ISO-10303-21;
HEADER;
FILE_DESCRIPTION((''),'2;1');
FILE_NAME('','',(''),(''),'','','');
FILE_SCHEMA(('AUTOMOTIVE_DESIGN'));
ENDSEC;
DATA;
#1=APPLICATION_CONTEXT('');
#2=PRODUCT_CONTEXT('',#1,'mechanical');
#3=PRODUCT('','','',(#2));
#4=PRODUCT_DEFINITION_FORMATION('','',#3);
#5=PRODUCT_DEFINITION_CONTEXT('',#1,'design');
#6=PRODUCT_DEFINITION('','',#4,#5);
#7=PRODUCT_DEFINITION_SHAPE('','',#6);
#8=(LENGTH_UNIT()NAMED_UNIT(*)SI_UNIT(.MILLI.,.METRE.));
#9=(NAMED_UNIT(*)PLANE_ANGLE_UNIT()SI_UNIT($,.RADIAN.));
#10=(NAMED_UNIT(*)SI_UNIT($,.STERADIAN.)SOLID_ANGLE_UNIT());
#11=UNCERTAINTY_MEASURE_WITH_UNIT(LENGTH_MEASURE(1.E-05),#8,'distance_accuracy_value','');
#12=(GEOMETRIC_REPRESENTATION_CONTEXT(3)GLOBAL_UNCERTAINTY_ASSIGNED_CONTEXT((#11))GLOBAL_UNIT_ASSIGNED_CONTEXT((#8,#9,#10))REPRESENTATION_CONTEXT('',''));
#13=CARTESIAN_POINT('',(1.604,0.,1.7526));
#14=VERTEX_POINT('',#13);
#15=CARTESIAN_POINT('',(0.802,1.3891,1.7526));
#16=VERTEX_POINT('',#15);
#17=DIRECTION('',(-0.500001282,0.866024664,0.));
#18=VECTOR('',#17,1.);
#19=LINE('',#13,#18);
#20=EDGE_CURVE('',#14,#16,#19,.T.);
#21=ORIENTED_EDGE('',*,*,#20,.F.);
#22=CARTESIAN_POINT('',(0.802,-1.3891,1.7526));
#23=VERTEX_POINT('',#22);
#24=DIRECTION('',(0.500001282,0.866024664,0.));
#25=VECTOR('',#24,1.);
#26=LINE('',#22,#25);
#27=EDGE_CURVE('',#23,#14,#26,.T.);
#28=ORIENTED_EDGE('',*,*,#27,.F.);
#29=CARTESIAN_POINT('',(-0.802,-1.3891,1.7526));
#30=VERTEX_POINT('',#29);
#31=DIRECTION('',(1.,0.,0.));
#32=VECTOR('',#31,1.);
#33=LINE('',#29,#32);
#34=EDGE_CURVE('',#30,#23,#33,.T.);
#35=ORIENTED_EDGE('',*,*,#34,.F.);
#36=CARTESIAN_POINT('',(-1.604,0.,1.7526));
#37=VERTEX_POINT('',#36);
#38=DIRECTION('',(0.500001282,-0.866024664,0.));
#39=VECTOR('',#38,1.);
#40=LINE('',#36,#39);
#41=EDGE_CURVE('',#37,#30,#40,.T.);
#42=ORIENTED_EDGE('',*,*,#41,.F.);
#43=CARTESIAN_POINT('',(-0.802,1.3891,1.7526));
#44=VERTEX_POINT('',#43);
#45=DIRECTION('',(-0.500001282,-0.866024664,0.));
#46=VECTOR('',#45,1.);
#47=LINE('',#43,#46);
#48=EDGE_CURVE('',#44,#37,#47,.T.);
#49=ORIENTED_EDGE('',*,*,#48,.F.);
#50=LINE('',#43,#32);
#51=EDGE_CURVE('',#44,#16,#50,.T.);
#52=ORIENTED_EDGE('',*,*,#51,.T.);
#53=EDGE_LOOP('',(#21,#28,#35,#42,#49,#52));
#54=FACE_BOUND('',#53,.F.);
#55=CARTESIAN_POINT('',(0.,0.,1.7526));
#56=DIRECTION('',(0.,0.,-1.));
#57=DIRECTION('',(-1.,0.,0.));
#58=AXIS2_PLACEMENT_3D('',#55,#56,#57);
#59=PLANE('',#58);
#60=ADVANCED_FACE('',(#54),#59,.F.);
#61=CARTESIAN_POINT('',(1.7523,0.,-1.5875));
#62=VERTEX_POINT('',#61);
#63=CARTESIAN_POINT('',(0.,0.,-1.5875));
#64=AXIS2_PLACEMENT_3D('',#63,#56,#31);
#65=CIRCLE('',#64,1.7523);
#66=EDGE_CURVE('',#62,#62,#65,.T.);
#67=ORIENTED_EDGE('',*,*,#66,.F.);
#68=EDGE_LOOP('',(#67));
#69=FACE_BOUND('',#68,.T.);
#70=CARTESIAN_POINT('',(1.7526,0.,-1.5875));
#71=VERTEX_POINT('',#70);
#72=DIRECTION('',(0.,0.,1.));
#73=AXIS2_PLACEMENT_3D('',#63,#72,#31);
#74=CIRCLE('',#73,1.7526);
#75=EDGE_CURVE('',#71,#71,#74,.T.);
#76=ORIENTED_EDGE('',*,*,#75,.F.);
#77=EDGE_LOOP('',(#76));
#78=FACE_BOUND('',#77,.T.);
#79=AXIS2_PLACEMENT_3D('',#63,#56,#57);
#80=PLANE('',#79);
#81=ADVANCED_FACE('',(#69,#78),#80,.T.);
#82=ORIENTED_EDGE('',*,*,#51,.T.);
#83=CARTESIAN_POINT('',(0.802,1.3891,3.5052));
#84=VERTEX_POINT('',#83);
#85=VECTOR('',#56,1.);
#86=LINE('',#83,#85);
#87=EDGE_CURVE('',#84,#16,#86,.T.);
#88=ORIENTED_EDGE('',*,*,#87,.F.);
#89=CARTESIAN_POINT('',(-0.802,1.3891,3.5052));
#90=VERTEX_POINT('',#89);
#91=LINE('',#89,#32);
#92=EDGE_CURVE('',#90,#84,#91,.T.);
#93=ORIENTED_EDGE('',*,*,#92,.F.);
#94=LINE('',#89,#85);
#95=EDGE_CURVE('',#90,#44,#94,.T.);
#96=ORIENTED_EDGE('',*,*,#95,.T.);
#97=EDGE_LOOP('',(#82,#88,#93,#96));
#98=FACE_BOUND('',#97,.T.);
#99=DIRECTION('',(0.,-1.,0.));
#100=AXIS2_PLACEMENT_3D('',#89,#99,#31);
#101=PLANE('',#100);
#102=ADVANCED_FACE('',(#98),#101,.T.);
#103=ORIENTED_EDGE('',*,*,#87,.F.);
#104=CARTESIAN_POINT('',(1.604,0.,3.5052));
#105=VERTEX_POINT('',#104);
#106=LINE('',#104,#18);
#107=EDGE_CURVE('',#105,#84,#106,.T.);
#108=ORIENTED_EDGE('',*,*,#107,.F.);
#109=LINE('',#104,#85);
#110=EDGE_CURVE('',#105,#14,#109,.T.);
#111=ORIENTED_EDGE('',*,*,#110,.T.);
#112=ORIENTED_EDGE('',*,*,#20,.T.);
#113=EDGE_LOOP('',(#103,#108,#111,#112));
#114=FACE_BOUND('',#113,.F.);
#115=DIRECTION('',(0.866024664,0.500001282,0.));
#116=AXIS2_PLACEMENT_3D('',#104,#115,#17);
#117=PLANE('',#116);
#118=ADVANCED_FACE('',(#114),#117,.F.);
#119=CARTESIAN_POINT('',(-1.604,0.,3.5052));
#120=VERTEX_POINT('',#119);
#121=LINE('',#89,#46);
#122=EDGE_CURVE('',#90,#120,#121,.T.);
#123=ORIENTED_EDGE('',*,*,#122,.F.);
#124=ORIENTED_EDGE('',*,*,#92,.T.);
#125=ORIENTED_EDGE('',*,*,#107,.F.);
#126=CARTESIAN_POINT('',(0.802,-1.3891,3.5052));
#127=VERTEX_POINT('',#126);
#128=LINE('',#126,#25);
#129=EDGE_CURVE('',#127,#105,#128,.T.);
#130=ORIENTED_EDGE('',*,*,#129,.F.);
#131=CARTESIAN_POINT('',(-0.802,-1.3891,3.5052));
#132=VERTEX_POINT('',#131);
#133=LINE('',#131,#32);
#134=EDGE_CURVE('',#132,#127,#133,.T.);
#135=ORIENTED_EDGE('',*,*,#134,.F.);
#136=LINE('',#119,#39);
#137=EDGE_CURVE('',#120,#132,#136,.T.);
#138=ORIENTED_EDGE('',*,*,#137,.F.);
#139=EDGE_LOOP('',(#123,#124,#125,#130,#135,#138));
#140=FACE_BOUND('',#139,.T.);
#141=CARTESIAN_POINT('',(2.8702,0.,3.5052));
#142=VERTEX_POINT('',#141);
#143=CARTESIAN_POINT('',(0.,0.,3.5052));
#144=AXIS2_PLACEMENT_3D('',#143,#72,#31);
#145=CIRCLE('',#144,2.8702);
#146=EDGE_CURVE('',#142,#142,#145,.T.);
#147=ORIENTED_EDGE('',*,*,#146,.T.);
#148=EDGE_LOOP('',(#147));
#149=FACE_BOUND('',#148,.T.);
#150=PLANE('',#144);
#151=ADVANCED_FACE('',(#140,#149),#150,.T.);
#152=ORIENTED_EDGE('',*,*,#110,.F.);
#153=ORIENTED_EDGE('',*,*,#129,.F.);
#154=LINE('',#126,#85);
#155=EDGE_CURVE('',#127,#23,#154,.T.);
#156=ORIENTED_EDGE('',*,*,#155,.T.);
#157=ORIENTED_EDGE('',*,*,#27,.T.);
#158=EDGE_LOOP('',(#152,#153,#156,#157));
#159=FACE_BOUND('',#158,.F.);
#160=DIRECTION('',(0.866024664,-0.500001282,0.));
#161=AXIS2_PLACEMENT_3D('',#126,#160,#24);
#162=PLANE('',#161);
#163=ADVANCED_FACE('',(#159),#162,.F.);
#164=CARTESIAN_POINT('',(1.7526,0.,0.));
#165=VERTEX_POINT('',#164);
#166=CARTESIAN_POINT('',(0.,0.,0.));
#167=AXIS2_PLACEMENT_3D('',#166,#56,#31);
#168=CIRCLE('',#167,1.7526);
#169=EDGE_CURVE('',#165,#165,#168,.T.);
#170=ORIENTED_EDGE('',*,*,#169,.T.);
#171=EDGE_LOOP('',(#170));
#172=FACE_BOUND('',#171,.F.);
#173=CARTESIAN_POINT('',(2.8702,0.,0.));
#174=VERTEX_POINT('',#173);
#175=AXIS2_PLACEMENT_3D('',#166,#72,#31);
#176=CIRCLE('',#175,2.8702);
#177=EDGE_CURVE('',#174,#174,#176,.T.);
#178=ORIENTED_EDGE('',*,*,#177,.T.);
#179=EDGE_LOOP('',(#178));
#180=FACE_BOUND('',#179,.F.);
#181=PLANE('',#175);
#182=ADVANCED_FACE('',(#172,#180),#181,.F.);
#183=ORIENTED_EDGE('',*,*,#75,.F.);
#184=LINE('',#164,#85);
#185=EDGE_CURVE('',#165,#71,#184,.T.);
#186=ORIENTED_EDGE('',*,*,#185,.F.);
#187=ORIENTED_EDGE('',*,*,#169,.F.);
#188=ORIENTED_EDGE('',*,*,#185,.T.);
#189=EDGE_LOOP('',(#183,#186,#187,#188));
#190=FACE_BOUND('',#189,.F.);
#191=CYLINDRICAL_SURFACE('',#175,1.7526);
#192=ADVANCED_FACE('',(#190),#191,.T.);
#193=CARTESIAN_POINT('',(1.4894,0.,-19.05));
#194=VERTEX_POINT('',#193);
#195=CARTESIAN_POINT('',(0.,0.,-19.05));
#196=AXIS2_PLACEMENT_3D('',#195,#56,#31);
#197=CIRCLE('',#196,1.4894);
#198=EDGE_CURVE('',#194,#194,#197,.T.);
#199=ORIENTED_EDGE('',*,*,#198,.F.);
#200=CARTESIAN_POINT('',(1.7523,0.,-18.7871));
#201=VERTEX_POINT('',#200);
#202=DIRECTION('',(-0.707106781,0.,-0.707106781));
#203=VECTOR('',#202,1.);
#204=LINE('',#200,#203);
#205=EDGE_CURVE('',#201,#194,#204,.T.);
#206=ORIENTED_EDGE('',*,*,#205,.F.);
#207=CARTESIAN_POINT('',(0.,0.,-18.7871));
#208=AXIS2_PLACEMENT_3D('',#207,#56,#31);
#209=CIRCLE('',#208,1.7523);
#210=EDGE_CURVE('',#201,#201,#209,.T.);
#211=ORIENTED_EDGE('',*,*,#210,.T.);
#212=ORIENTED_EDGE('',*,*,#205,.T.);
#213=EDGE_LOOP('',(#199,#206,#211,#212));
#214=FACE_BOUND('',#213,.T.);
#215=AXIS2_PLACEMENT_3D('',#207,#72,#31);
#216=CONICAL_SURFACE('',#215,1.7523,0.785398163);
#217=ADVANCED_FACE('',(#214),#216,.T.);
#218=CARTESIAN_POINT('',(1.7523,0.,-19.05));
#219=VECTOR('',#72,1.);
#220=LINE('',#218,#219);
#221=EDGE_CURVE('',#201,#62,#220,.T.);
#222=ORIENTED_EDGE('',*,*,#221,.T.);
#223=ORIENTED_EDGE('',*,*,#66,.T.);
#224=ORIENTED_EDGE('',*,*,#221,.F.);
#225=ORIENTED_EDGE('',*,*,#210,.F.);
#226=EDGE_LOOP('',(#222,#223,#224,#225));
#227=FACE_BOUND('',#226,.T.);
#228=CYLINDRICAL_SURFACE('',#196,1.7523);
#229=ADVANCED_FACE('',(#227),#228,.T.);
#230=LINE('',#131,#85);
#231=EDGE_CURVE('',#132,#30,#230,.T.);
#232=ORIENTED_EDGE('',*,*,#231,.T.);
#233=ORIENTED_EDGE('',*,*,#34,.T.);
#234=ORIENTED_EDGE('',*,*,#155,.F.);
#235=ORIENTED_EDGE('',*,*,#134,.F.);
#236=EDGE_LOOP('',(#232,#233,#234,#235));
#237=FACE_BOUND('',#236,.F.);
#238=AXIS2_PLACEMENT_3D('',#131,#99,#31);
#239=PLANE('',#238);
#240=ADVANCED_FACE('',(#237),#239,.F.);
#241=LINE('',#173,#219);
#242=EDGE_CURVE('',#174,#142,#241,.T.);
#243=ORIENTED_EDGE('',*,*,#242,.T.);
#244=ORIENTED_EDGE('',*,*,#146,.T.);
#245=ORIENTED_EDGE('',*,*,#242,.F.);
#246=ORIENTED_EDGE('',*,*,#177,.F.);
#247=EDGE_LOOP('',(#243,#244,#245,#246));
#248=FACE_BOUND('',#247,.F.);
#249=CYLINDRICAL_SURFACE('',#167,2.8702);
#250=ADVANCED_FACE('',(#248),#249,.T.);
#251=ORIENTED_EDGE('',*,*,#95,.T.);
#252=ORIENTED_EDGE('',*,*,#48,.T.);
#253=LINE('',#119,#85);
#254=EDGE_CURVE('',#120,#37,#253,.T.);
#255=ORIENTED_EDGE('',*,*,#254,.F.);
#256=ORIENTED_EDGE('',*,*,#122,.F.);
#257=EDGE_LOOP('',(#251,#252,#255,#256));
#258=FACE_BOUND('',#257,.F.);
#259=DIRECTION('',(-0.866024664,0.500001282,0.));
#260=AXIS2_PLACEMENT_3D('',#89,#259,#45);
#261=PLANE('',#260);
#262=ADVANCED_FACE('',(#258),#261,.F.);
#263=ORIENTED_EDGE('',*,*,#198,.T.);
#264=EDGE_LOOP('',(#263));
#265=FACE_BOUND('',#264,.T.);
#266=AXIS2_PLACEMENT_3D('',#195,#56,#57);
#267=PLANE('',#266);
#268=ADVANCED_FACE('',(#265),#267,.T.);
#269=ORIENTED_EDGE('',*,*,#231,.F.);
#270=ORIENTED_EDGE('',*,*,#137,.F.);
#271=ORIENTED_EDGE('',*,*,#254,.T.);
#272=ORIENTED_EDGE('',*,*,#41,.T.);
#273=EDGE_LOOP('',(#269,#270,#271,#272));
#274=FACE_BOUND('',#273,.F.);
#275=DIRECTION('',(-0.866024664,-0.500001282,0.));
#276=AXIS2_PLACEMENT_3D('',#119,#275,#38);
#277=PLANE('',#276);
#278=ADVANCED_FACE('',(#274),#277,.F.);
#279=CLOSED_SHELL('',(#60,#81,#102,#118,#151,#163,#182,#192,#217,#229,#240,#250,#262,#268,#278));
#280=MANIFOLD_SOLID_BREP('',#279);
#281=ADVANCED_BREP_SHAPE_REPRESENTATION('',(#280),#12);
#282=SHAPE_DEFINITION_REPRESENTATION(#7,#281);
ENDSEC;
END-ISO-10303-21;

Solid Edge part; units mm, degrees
sketch "Sketch1" plane through (0, 0, 0) normal (0, 0, 1) x (1, 0, 0)
  circle A0 centre (0, 0) radius 2.8702
  dimension "D1" = 5.7404
extrude "Protrusion1" add sketch "Sketch1" along normal blind 3.5052
sketch "Sketch2" plane through (0, 0, 0) normal (0, 0, -1) x (1, 0, 0)
  circle A0 centre (0, 0) radius 1.7526
extrude "Protrusion2" add sketch "Sketch2" along normal blind 19.05
sketch "Sketch3" plane through (0, 0, -19.05) normal (0, 0, -1) x (1, 0, 0)
  circle A0 centre (0, 0) radius 1.7523
extrude "Cutout1" cut sketch "Sketch3" against normal blind 17.4625 flip side to cut
chamfer "Chamfer_1" distance 0.2629 angle 45 1 edges at (-1.7523, 0, -19.05)
sketch "Sketch4" plane through (0, 0, 3.5052) normal (0, 0, 1) x (1, 0, 0)
  line L0 (-0.802, 1.3891) -> (0.802, 1.3891)
  line L1 (1.604, 0) -> (0.802, 1.3891)
  line L2 (0.802, -1.3891) -> (1.604, 0)
  line L3 (-0.802, -1.3891) -> (0.802, -1.3891)
  line L4 (-1.604, 0) -> (-0.802, -1.3891)
  line L5 (-0.802, 1.3891) -> (-1.604, 0)
  dimension "D1" = 2.7781
extrude "Cutout2" cut sketch "Sketch4" against normal blind 1.7526
properties part number "24101586"
